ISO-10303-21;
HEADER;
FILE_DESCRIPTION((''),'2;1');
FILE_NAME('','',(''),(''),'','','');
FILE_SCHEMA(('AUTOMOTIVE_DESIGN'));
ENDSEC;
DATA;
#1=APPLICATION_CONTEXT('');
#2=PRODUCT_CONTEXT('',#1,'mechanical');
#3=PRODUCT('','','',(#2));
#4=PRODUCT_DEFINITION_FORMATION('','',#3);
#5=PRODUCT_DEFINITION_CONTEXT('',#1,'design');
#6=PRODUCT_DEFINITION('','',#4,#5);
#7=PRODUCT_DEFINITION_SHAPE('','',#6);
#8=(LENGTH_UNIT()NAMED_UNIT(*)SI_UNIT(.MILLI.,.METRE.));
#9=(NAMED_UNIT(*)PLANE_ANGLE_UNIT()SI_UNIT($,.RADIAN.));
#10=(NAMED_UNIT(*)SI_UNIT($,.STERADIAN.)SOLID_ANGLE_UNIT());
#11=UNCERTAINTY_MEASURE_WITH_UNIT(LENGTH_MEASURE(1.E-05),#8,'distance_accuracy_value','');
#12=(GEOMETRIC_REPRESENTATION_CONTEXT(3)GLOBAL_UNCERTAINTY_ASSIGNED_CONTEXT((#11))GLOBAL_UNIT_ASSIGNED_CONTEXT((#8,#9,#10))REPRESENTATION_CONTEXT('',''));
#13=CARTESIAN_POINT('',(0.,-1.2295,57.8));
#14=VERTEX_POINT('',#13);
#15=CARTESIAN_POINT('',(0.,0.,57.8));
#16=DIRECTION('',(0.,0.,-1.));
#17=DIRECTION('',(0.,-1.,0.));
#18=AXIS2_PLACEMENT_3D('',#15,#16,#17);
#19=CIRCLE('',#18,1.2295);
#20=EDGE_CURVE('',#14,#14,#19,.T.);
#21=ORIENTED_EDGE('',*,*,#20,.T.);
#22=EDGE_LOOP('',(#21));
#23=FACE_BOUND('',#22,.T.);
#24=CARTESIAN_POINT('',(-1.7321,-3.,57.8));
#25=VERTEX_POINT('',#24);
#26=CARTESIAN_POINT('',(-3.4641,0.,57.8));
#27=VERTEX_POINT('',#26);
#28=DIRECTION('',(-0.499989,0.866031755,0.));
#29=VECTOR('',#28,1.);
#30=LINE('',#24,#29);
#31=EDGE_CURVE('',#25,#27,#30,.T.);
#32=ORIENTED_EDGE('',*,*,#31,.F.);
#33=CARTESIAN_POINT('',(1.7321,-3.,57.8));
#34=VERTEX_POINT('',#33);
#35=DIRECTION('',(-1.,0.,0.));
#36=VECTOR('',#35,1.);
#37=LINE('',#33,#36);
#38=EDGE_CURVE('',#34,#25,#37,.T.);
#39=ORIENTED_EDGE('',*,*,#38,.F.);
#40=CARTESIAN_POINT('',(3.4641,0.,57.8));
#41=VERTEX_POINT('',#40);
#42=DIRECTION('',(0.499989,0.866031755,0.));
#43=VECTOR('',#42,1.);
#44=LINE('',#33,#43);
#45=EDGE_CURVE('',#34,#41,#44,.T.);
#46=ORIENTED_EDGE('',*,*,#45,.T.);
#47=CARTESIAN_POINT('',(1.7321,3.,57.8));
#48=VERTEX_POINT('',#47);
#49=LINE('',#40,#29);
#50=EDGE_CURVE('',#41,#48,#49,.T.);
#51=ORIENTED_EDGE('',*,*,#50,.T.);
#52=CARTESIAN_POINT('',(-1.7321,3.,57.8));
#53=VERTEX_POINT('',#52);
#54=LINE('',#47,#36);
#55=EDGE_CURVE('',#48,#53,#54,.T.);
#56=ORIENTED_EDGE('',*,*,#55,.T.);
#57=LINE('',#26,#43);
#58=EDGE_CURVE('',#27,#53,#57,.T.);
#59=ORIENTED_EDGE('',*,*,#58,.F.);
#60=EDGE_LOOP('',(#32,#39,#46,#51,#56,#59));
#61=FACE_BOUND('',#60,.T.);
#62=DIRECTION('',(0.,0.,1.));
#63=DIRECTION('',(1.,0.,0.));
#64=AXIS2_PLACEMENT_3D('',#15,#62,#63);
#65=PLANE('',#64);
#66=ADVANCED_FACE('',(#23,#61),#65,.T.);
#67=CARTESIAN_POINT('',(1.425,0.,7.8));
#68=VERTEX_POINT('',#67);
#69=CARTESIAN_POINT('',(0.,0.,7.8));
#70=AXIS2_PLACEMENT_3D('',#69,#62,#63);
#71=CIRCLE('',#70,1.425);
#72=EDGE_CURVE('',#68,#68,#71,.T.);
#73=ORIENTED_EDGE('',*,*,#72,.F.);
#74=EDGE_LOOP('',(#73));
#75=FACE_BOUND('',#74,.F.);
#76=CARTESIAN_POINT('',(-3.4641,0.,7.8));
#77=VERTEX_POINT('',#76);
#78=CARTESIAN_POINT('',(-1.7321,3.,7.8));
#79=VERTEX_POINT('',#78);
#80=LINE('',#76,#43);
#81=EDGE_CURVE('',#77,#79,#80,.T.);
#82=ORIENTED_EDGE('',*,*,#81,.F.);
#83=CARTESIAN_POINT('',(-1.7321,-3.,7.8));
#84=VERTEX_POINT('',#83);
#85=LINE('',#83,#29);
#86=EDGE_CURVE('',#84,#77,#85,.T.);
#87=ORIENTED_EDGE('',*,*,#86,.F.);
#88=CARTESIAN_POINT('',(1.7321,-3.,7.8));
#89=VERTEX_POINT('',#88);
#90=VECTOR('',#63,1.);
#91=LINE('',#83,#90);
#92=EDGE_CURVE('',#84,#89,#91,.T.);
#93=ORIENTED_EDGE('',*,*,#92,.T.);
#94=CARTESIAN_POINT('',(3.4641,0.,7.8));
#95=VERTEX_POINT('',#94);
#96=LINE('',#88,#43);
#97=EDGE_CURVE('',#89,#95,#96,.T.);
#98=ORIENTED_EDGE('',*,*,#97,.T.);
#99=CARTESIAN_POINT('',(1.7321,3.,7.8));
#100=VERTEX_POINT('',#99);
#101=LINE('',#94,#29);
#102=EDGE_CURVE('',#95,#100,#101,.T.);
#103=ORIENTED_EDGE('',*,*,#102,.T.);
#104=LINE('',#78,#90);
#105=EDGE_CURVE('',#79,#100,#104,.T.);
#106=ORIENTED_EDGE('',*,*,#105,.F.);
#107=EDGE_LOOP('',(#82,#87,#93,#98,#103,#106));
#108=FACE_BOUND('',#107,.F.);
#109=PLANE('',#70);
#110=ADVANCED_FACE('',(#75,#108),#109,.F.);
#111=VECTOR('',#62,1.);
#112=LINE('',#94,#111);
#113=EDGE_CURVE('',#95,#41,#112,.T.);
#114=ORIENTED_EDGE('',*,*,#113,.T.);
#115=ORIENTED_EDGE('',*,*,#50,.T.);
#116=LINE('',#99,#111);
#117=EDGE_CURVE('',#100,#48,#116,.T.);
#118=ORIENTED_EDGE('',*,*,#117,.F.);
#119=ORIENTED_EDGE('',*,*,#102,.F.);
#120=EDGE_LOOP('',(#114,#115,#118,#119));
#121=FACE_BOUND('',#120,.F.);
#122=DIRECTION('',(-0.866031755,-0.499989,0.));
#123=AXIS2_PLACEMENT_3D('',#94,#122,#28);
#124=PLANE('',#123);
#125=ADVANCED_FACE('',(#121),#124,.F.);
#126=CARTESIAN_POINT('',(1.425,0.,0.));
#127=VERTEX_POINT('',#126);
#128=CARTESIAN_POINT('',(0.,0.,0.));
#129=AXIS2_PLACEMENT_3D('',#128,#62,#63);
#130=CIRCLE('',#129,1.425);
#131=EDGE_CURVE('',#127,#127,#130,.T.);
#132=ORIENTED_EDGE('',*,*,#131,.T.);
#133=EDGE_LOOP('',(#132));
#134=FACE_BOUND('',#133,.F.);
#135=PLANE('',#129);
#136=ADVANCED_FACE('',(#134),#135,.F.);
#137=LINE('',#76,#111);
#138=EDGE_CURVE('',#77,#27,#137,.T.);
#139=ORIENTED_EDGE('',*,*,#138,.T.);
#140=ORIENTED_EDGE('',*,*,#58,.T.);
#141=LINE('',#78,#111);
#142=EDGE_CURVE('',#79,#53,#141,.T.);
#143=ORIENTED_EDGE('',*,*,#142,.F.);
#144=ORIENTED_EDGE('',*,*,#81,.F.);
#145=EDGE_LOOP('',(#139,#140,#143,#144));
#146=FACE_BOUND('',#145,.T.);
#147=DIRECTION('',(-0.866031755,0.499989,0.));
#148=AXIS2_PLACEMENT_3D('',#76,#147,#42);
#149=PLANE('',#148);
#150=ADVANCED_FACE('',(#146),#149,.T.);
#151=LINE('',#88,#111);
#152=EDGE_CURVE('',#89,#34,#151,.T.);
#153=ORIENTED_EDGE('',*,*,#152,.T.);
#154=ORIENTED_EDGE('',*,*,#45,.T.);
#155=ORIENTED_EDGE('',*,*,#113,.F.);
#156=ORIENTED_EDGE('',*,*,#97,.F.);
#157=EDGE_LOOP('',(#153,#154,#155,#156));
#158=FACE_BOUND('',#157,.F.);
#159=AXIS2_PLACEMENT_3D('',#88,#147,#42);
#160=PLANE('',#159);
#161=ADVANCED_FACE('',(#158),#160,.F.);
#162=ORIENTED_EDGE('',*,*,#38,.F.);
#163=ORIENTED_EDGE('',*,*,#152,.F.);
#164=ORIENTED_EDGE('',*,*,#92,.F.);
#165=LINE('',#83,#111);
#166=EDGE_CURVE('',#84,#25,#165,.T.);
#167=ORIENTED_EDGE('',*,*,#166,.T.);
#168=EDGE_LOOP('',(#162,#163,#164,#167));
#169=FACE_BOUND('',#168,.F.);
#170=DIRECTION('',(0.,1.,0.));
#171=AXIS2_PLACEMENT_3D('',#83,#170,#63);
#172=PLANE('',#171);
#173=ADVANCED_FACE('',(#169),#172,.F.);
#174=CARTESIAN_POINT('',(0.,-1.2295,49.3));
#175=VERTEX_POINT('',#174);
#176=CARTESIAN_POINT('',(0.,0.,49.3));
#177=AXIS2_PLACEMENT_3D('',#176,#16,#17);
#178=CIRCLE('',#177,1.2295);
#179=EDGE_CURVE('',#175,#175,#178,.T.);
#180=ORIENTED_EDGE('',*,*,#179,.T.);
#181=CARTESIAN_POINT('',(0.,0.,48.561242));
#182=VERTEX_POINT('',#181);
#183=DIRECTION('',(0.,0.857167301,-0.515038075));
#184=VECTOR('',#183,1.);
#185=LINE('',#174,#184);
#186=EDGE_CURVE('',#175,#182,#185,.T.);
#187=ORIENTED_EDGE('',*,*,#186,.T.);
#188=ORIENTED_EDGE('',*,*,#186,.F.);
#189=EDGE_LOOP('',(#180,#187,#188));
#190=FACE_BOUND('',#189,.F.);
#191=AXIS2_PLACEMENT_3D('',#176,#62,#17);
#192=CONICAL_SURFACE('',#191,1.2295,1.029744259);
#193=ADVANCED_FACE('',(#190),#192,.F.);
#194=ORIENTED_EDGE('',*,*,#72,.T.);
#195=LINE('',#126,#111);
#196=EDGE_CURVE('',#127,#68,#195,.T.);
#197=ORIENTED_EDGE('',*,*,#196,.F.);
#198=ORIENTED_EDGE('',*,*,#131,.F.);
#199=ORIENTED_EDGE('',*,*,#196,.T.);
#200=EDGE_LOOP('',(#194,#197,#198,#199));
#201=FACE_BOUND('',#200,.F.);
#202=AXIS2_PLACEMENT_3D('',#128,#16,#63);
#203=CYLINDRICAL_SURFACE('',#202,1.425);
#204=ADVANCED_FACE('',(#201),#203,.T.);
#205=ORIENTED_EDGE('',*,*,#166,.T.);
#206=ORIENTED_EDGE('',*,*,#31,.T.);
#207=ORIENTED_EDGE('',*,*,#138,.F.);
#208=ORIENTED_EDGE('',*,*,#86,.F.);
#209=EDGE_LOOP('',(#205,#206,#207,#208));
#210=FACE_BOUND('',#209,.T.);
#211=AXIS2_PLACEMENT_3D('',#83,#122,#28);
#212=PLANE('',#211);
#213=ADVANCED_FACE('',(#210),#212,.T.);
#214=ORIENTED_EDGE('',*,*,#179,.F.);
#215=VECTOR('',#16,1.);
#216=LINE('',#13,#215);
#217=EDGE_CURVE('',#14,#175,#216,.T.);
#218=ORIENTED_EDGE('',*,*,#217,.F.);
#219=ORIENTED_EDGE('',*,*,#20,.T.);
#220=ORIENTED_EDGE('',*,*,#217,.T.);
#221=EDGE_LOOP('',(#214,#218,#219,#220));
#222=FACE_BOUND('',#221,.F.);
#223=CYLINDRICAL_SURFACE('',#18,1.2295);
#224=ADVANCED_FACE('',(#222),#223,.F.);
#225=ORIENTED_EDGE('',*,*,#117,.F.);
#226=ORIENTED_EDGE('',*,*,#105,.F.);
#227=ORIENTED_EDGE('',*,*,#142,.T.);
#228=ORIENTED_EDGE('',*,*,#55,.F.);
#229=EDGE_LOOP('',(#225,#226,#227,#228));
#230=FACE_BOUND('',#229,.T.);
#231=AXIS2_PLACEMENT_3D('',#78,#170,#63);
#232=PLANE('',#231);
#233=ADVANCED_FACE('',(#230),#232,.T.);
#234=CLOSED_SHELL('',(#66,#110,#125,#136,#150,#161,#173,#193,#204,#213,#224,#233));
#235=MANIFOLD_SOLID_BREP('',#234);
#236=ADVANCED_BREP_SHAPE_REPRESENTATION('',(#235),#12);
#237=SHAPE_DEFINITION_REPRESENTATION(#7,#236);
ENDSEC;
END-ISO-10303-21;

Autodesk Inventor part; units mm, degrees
ref_plane "Plan YZ" through (0, 0, 0) normal (1, 0, 0) x (0, 1, 0)
ref_plane "Plan XZ" through (0, 0, 0) normal (0, 1, 0) x (-1, 0, 0)
ref_plane "Plan XY" through (0, 0, 0) normal (0, 0, 1) x (1, 0, 0)
sketch "Esquisse1" plane through (0, 0, 0) normal (0, 0, 1) x (1, 0, 0)
  circle A0 centre (0, 0) radius 1.425
  dimension "d0" = 2.85
extrude "Extrusion1" add sketch "Esquisse1" along normal blind 7.8
sketch "Esquisse6" plane through (0, 0, 7.8) normal (0, 0, 1) x (1, 0, 0)
  line L0 (-4.8497, 0) -> (4.8497, 0) construction
  line L1 (0, -4.2) -> (0, 4.2) construction
  line L2 (-1.7321, -3) -> (-3.4641, 0)
  line L3 (-3.4641, 0) -> (-1.7321, 3)
  line L4 (-1.7321, 3) -> (0, 3)
  line L5 (-1.7321, -3) -> (0, -3)
  line L6 (1.7321, -3) -> (3.4641, 0)
  line L7 (3.4641, 0) -> (1.7321, 3)
  line L8 (1.7321, 3) -> (0, 3)
  line L9 (1.7321, -3) -> (0, -3)
  point P0 (0, 0)
  dimension "d4" = 6
  dimension "d8" = 120
  dimension "d10" = 6
extrude "Extrusion2" add sketch "Esquisse6" along normal blind 50
sketch "Esquisse7" plane through (0, 0, 57.8) normal (0, 0, 1) x (1, 0, 0)
  circle A0 centre (0, 0) radius 1.425 projected
thread "Filetage1" size "M3x0.5" class "6g" standard "ISO M" full length
hole "Perçage1" at (0, 0, 57.8) direction (0, 0, -1) diameter 2.459 depth 8.5 tip angle 118 thread size "M3x0.5" class "6H" standard "ISO M"
properties part number "entretoiseM3x50" material "."
